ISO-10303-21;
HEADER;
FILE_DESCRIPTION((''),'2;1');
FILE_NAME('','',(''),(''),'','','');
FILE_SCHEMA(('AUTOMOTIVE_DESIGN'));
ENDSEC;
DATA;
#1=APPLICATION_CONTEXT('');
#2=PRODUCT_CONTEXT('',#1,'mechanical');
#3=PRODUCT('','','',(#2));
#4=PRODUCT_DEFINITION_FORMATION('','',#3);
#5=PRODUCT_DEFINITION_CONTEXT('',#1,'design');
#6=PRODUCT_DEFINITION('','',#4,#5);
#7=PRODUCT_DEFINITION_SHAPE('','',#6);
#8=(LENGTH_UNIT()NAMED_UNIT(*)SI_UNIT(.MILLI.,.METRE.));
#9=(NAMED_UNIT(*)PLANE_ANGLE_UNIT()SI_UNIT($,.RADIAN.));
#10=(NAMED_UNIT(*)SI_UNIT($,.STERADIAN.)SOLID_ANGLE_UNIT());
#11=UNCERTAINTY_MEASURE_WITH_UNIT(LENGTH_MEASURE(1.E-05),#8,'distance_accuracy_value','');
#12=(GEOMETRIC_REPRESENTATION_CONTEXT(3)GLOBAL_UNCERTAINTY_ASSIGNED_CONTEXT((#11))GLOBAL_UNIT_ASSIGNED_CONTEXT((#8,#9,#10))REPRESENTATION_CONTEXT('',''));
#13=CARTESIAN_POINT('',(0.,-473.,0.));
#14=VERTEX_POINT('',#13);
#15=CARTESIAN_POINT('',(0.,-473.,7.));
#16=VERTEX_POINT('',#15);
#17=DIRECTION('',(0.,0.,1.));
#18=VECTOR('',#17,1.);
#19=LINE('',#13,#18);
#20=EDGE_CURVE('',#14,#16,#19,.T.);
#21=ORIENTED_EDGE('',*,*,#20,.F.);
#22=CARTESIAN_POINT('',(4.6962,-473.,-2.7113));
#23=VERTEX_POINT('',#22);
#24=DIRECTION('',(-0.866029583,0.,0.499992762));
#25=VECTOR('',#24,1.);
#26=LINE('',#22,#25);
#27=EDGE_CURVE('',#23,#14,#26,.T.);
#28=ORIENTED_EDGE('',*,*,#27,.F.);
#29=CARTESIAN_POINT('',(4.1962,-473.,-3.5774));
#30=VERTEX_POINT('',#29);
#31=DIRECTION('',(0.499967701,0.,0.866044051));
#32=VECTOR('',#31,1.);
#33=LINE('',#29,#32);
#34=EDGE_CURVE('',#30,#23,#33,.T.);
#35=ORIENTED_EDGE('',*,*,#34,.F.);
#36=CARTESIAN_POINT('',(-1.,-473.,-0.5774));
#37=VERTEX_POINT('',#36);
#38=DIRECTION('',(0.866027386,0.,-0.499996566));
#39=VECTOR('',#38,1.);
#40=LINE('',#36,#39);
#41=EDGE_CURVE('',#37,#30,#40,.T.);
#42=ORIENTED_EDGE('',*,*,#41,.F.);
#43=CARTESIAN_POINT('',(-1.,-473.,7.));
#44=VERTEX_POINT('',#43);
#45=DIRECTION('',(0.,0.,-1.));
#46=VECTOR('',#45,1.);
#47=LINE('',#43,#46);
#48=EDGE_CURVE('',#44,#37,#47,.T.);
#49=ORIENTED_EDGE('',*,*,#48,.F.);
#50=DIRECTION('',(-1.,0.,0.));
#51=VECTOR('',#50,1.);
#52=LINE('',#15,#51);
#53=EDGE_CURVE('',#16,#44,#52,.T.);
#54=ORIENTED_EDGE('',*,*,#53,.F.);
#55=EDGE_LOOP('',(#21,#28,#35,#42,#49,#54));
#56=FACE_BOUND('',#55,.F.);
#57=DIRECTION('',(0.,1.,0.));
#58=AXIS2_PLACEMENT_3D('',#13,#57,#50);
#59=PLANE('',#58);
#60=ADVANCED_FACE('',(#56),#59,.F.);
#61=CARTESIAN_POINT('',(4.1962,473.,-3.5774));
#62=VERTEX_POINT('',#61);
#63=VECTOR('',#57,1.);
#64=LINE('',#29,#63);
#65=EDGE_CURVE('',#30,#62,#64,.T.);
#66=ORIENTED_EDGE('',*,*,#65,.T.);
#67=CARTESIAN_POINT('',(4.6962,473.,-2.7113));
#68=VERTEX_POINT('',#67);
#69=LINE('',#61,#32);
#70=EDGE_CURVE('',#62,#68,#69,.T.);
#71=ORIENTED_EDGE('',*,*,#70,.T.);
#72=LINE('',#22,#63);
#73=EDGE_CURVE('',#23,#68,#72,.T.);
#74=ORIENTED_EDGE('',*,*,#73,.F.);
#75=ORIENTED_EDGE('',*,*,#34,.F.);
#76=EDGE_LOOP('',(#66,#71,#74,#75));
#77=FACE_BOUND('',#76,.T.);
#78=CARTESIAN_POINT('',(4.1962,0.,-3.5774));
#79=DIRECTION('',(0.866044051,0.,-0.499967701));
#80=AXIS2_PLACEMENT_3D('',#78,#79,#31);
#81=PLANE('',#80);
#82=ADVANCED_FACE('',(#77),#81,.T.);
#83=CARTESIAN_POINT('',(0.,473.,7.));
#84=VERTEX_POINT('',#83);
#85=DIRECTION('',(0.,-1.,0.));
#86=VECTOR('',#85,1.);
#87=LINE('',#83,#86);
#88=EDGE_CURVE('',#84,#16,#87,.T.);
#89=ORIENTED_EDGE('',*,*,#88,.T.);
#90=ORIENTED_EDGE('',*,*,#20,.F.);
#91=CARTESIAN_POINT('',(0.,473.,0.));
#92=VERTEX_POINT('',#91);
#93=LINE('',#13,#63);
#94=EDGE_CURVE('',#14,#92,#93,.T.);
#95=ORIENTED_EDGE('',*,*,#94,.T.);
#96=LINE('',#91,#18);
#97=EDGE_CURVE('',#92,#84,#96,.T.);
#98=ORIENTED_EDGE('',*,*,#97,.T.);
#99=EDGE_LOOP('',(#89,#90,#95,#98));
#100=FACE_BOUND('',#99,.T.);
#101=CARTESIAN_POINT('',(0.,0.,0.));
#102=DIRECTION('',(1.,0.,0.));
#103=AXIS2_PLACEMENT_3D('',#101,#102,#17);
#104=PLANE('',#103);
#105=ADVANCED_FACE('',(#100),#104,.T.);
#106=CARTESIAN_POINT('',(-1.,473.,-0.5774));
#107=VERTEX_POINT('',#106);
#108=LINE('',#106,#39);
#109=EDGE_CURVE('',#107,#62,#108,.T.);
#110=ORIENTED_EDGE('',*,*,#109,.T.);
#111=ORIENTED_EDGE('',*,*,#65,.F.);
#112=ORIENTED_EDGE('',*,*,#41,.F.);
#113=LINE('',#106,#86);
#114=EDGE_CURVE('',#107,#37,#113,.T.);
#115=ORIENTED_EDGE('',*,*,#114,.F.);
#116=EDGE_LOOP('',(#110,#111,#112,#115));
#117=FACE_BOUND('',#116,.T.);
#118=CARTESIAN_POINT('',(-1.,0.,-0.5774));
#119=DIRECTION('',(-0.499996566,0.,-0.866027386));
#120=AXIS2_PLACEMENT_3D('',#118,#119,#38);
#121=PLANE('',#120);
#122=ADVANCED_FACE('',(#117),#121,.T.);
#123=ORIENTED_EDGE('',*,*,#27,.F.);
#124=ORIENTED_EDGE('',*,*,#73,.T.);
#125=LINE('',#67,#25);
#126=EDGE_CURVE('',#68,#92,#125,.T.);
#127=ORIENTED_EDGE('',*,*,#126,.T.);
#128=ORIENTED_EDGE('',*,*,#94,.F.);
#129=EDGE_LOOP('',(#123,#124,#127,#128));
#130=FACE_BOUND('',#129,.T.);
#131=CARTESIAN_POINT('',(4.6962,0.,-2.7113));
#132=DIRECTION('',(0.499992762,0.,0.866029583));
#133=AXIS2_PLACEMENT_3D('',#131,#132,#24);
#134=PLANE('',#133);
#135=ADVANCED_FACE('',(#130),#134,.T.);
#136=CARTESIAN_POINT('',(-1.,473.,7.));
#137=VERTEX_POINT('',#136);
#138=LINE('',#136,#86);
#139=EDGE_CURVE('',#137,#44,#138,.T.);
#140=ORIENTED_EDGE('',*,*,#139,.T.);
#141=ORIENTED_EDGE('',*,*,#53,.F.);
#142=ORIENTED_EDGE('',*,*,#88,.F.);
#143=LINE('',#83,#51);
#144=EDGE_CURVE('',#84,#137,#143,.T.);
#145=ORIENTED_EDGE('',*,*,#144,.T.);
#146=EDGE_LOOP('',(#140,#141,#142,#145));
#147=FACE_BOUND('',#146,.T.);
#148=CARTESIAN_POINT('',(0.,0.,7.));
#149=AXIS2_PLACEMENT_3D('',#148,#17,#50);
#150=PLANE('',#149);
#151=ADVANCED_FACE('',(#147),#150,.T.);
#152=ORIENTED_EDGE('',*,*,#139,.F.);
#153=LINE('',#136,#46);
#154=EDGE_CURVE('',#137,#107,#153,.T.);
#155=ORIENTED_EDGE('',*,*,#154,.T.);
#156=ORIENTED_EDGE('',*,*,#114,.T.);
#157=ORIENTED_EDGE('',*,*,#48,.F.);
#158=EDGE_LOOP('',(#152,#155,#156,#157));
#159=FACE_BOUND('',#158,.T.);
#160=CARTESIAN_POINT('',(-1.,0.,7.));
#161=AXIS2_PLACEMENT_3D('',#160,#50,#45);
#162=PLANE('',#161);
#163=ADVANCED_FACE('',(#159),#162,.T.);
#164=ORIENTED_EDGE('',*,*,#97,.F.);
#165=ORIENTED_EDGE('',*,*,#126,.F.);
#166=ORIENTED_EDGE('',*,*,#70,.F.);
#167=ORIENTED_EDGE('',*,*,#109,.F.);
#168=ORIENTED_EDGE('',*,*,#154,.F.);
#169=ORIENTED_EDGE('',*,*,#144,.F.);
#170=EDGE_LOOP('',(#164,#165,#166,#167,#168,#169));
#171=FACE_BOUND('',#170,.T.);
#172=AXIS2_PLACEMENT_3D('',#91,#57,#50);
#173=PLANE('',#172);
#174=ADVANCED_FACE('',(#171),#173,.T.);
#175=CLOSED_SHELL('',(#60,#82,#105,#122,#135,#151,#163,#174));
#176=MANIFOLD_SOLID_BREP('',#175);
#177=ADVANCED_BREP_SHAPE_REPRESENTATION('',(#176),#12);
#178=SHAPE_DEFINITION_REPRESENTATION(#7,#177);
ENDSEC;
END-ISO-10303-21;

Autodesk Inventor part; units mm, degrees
ref_plane "YZ Plane" through (0, 0, 0) normal (1, 0, 0) x (0, 1, 0)
ref_plane "XZ Plane" through (0, 0, 0) normal (0, 1, 0) x (-1, 0, 0)
ref_plane "XY Plane" through (0, 0, 0) normal (0, 0, 1) x (1, 0, 0)
sketch "スケッチ1" plane through (0, 0, 0) normal (0, 1, 0) x (-1, 0, 0)
  line L0 (0, 0) -> (0, 7)
  line L1 (0, 7) -> (1, 7)
  line L2 (1, 7) -> (1, -0.5774)
  line L3 (1, -0.5774) -> (-4.1962, -3.5774)
  line L4 (-4.1962, -3.5774) -> (-4.6962, -2.7113)
  line L5 (-4.6962, -2.7113) -> (0, 0)
  dimension "d0" = 7
  dimension "d1" = 1
  dimension "d2" = 1
  dimension "d5" = 120
  dimension "d6" = 6
extrude "押し出し1" add sketch "スケッチ1" along normal mid plane 946
properties part number "rear_gurnee"
